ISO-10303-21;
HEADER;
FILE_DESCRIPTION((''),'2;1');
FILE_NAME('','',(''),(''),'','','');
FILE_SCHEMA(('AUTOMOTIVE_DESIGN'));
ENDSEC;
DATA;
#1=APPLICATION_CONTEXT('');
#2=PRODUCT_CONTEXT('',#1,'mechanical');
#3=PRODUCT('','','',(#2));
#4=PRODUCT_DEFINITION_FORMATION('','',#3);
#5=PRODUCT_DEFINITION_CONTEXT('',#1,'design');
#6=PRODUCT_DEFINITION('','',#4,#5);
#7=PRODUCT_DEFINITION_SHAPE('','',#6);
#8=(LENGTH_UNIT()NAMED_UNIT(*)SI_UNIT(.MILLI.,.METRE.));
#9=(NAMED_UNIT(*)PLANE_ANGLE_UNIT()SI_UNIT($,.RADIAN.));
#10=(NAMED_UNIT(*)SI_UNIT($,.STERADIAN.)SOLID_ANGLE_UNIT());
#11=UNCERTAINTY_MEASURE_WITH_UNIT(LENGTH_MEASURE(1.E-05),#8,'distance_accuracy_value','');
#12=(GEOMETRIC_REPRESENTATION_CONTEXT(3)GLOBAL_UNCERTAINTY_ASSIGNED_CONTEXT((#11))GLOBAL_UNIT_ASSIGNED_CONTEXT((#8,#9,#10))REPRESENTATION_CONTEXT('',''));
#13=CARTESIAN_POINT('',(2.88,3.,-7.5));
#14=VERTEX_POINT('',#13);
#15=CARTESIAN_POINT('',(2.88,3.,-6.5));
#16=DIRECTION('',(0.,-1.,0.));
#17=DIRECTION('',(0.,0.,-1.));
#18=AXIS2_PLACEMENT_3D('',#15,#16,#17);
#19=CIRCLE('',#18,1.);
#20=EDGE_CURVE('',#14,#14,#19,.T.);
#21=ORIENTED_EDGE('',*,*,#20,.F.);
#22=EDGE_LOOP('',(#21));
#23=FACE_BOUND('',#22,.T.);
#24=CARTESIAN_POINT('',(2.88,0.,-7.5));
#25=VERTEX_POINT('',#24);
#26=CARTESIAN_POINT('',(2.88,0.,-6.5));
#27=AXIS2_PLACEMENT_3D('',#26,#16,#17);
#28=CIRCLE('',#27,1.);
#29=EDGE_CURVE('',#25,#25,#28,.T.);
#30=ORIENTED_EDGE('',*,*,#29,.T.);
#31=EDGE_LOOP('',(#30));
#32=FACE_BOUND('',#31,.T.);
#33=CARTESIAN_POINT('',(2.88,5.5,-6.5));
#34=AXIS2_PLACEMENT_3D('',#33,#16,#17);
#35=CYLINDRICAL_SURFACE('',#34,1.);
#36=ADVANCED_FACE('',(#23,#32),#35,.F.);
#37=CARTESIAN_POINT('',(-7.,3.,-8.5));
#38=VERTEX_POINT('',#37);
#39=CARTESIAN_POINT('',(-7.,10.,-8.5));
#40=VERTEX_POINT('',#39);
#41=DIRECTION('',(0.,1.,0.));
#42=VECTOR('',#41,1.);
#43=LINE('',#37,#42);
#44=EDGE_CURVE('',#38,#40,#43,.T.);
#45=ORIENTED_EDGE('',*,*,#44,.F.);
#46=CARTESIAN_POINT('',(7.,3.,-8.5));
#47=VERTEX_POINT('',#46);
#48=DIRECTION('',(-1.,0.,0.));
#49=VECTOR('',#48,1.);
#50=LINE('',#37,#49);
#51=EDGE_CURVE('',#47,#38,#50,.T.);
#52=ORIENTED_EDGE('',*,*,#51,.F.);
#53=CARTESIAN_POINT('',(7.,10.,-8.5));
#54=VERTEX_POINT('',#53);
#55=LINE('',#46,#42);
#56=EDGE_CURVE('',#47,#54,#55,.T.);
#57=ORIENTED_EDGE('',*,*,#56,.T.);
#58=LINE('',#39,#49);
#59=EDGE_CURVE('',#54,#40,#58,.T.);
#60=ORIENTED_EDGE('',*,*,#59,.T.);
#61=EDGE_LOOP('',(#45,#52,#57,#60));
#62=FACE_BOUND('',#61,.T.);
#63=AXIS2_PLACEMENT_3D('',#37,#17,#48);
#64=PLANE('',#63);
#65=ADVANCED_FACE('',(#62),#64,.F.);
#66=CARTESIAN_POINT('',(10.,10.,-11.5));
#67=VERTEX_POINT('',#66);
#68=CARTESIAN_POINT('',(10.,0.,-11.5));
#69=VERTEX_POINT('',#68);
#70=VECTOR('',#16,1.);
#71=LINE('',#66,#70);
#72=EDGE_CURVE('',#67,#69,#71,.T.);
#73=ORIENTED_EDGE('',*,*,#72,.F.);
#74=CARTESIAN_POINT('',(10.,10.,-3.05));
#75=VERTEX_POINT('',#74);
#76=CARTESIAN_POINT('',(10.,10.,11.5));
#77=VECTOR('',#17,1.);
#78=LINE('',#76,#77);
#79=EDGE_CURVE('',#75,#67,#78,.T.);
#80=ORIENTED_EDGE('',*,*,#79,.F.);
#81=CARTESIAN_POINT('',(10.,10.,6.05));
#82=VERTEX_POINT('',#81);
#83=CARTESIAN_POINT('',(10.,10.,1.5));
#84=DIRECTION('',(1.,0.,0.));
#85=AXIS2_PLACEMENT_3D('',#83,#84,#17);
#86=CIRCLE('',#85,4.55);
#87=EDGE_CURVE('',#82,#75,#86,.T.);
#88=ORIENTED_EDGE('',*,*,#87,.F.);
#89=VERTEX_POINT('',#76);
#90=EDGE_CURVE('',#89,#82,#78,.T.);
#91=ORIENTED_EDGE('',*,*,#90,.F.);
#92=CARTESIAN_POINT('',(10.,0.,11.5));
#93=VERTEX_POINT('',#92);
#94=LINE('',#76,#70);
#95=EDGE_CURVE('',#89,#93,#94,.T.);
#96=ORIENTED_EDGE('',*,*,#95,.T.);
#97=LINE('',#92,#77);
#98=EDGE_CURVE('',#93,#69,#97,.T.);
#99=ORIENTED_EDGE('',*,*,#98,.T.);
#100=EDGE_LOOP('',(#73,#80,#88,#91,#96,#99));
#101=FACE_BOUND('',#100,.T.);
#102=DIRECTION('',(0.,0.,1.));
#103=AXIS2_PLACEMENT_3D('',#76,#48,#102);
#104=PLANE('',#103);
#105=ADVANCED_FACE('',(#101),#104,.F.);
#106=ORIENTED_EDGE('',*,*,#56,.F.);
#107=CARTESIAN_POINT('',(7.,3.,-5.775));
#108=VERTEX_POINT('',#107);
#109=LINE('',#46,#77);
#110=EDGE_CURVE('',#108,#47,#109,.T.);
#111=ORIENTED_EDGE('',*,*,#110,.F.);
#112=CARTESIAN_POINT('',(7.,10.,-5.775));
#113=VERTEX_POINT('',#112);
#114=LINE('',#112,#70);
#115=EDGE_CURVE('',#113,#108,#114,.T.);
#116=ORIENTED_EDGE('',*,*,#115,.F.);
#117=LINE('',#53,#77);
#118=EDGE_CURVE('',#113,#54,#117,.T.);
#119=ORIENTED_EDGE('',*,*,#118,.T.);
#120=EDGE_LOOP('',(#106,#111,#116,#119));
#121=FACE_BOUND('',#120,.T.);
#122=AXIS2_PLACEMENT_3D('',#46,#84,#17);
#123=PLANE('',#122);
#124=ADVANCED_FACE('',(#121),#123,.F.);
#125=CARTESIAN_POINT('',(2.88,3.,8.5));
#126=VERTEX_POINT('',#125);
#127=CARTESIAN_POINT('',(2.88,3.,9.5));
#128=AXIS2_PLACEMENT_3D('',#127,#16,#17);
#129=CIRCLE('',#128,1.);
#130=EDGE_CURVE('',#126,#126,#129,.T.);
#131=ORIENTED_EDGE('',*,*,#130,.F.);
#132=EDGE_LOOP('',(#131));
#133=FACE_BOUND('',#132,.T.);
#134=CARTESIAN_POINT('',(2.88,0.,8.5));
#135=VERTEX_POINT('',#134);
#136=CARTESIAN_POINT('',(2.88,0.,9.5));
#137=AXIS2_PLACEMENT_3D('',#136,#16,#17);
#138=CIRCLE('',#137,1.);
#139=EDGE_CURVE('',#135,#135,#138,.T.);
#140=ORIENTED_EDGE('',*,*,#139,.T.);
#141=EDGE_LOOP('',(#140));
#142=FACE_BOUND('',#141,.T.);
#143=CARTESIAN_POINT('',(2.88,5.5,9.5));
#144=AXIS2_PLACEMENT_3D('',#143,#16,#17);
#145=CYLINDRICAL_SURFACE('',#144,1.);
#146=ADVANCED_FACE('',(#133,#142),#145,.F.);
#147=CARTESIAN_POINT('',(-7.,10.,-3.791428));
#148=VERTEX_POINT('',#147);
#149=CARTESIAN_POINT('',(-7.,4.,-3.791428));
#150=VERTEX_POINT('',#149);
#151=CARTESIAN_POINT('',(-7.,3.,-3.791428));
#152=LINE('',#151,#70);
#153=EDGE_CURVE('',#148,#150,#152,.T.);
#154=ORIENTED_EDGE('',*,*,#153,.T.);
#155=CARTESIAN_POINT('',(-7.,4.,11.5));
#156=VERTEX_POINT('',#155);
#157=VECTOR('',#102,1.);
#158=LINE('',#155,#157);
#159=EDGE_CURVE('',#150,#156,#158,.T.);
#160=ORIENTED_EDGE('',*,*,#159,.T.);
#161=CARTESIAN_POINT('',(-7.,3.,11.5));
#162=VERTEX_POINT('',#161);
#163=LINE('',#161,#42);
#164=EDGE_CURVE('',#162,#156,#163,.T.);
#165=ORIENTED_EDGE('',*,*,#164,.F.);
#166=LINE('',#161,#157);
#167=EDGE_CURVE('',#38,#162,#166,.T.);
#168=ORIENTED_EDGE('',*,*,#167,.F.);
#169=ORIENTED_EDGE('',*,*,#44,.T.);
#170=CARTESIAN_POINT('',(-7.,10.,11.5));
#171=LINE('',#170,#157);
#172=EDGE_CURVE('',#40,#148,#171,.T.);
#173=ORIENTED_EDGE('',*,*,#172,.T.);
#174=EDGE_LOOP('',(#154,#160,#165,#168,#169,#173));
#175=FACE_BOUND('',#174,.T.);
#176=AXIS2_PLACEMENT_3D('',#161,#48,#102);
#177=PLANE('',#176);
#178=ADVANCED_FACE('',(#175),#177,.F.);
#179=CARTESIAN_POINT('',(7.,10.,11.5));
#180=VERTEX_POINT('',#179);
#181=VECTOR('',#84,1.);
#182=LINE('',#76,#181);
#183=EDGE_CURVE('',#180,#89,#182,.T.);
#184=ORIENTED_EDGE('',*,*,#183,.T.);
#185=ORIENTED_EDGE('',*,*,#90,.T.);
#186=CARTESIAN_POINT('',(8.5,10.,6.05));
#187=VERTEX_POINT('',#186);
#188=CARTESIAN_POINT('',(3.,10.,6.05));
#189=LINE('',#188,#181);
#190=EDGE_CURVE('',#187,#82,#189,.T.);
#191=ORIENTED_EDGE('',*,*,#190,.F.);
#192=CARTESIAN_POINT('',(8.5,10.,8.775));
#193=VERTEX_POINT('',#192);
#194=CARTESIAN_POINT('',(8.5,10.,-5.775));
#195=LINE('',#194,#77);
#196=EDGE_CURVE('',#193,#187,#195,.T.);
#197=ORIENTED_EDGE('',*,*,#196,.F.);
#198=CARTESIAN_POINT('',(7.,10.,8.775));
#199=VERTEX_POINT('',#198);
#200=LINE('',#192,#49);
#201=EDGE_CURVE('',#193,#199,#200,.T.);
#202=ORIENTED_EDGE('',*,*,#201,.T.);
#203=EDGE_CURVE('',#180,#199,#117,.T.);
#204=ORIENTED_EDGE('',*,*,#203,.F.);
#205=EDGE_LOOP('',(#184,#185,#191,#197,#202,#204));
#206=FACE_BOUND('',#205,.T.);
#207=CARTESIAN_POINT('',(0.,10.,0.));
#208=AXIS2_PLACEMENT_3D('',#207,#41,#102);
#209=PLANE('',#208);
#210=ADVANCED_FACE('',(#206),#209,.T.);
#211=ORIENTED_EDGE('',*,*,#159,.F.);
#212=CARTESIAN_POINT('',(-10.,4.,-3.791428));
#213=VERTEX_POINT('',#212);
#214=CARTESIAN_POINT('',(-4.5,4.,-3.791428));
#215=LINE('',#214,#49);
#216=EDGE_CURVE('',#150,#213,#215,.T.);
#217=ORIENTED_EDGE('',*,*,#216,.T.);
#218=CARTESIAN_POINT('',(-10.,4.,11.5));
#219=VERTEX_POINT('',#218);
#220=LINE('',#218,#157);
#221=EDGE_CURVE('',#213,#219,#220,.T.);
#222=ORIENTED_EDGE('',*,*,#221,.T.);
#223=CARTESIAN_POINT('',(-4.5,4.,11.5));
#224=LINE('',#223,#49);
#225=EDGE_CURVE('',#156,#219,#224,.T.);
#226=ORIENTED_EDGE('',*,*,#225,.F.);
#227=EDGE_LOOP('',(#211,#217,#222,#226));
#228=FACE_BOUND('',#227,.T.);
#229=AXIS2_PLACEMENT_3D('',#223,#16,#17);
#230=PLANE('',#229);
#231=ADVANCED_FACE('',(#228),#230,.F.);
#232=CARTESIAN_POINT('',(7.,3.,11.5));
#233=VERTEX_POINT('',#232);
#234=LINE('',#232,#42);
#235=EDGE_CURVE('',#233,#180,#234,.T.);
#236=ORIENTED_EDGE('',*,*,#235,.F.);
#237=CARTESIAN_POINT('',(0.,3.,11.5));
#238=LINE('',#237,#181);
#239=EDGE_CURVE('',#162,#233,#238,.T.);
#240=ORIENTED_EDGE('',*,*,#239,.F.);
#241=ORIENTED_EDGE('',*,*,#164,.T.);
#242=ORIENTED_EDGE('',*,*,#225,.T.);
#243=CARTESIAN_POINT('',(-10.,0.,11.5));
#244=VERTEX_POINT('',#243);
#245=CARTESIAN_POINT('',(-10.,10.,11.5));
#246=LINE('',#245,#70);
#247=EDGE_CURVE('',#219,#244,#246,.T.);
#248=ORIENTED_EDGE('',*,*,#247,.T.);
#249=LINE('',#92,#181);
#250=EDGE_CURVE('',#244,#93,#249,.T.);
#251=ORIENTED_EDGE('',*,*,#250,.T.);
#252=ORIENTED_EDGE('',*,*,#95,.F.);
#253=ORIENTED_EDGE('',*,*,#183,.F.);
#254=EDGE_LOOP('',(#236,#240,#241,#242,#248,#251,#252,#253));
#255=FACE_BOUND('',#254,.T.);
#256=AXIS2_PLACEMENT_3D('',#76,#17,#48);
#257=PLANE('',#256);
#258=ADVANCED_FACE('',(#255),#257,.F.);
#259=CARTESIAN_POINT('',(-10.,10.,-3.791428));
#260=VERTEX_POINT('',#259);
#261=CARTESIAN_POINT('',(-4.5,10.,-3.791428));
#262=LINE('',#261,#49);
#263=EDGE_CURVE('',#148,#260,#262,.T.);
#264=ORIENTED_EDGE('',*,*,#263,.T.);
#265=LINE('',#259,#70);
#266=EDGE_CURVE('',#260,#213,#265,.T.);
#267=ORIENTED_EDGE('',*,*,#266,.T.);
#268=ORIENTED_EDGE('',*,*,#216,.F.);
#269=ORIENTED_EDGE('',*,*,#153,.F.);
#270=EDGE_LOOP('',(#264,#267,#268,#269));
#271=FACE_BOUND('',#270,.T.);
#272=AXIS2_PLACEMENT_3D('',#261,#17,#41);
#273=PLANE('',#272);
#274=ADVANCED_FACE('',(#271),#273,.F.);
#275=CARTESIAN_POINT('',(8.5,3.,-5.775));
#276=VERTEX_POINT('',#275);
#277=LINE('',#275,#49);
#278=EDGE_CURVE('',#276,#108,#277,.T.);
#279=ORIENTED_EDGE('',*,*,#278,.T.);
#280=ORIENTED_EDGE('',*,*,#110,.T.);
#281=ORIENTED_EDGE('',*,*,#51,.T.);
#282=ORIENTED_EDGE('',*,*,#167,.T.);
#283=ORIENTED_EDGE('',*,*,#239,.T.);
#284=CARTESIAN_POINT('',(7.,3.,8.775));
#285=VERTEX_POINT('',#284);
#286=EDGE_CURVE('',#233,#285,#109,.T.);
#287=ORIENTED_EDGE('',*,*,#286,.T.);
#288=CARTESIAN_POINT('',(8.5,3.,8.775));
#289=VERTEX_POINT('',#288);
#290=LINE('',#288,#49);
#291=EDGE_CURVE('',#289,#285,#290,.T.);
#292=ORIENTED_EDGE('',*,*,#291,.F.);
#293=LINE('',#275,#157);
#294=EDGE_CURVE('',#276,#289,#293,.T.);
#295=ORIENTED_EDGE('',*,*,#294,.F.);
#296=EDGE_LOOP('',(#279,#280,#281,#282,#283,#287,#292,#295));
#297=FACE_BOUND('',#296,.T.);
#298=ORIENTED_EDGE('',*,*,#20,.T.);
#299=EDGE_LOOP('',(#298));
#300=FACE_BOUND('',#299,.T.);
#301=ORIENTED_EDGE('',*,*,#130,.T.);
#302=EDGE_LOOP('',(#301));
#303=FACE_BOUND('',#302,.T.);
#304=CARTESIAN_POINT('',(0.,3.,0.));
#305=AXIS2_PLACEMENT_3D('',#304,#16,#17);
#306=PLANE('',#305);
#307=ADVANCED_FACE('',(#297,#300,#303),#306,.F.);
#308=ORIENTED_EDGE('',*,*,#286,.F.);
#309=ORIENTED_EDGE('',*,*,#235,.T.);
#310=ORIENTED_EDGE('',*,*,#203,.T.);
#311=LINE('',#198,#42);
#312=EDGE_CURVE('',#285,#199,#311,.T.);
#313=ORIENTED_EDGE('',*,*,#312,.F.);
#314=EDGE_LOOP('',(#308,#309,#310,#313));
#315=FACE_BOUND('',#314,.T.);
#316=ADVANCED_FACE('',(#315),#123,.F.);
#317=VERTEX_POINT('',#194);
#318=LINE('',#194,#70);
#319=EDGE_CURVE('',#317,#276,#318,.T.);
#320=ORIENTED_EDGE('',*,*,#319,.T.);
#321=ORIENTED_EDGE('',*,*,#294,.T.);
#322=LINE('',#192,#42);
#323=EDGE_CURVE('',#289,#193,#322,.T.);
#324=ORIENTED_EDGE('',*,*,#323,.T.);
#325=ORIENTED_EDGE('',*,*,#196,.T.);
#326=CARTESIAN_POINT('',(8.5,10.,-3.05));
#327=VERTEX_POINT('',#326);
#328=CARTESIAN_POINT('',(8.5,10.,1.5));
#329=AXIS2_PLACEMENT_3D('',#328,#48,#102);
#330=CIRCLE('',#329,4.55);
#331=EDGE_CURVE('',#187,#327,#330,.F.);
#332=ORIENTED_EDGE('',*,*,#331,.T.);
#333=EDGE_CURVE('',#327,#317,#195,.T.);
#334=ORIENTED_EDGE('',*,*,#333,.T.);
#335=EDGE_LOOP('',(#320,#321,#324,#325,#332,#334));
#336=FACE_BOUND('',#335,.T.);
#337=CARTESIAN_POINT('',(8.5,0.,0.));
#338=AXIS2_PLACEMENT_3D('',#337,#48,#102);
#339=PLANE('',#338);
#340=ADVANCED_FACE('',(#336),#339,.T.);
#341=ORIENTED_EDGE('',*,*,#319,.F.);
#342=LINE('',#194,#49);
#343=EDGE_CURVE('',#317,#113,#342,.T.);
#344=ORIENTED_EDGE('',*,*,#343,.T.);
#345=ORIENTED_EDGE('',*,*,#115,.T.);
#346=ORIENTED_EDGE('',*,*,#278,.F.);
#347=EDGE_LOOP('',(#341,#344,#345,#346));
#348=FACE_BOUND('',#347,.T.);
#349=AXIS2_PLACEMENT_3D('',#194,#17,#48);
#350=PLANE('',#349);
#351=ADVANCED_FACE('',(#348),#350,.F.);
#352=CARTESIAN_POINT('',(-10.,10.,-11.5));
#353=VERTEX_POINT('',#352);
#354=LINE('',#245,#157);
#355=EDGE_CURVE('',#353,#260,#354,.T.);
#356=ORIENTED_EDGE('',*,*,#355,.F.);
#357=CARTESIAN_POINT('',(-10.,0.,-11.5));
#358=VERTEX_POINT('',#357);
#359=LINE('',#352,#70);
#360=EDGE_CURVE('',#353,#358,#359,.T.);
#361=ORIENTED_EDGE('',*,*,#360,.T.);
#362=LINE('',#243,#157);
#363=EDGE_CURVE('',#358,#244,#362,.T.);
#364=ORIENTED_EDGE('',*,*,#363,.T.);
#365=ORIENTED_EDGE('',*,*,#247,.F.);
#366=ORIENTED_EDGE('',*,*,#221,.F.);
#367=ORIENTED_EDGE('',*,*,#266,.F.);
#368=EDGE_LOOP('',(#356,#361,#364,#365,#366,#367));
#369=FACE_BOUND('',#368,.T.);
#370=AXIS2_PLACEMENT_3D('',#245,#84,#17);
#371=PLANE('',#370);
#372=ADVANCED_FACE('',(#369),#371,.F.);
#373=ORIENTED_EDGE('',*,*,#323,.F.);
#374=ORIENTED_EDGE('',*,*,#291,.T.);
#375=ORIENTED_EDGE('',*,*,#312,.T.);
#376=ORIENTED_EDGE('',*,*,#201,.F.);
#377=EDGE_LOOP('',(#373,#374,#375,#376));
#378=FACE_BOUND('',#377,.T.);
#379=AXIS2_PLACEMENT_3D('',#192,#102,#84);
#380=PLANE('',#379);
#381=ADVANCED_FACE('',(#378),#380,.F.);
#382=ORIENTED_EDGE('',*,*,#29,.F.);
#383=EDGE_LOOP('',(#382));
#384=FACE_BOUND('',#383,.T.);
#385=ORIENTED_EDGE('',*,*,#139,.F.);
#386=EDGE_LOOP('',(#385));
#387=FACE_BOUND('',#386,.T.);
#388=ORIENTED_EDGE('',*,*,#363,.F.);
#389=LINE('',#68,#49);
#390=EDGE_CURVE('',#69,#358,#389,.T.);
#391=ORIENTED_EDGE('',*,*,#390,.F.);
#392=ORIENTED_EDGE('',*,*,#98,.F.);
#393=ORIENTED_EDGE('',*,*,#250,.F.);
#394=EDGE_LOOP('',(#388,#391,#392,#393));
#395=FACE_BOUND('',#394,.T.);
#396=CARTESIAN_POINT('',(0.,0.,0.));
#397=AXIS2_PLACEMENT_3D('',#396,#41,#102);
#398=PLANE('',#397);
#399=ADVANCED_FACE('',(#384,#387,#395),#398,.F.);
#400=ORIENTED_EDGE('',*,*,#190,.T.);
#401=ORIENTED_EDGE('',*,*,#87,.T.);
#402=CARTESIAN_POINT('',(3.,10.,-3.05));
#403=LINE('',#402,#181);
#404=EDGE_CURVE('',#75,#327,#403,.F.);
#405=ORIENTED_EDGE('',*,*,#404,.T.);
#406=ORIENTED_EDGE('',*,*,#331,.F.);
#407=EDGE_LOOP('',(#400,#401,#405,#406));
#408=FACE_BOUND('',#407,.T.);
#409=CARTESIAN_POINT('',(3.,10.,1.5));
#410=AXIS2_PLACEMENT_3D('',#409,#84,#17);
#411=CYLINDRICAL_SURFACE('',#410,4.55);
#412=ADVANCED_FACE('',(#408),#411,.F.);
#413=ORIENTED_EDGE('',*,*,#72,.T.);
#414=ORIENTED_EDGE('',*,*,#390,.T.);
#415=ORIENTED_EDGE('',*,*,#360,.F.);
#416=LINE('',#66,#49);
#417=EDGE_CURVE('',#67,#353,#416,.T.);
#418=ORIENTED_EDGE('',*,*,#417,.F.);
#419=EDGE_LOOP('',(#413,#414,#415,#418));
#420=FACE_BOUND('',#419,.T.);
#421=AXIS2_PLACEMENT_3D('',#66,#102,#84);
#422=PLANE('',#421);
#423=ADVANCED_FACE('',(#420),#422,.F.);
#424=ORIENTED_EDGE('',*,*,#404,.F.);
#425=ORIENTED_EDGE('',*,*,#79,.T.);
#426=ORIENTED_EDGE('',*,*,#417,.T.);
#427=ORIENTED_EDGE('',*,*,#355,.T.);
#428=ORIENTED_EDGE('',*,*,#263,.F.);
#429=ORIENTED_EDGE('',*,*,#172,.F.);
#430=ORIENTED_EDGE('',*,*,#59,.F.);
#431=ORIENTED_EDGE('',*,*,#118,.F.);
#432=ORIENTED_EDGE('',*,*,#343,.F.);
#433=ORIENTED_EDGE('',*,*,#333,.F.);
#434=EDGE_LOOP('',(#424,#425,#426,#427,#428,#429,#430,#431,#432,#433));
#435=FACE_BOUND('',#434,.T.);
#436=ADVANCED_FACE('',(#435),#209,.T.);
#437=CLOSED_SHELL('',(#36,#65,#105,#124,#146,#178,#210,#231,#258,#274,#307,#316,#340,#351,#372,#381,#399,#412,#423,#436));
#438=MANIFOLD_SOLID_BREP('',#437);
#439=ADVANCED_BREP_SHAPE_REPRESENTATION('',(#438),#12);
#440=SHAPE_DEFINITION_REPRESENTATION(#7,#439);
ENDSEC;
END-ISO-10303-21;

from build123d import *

# Parameters (mm, degrees)
SKETCH1_W           = 20
SKETCH1_H           = 23
BOSS_EXTRUDE1_DEPTH = 10
CUT_EXTRUDE1_DEPTH  = 7
SKETCH4_R           = 4.55
CUT_EXTRUDE6_DEPTH  = 7
SKETCH9_W           = 14.55
SKETCH9_H           = 7
CUT_EXTRUDE8_DEPTH  = 1.5
SKETCH10_W          = 15.291428019
SKETCH10_H          = 6
CUT_EXTRUDE9_DEPTH  = 5.5
SKETCH11_R          = 1
CUT_EXTRUDE10_DEPTH = 5.5


with BuildPart() as part:
    # Sketch1 → Boss-Extrude1 (new body)
    with BuildSketch(Plane(origin=(0, 0, 0), x_dir=(1, 0, 0), z_dir=(0, 1, 0))):
        Rectangle(SKETCH1_W, SKETCH1_H)
    extrude(amount=BOSS_EXTRUDE1_DEPTH)

    # Sketch3 → Cut-Extrude1 (cut)
    with BuildSketch(Plane(origin=(0, 10, 0), x_dir=(1, 0, 0), z_dir=(0, 1, 0))):
        Polygon((0, -11.5), (-7, -11.5), (-7, 8.5), (7, 8.5), (7, -11.5), align=None)
    extrude(amount=-CUT_EXTRUDE1_DEPTH, mode=Mode.SUBTRACT)

    # Sketch4 → Cut-Extrude6 (cut)
    with BuildSketch(Plane(origin=(10, 0, 0), x_dir=(0, 0, -1), z_dir=(1, 0, 0))):
        with Locations((-1.5, 10)):
            Circle(SKETCH4_R)
    extrude(amount=-CUT_EXTRUDE6_DEPTH, mode=Mode.SUBTRACT)

    # Sketch9 → Cut-Extrude8 (cut)
    with BuildSketch(Plane.ZY.offset(-7)):
        with Locations((1.5, 6.5)):
            Rectangle(SKETCH9_W, SKETCH9_H)
    extrude(amount=-CUT_EXTRUDE8_DEPTH, mode=Mode.SUBTRACT)

    # Sketch10 → Cut-Extrude9 (cut)
    with BuildSketch(Plane.ZY.offset(10)):
        with Locations((3.854285991, 7)):
            Rectangle(SKETCH10_W, SKETCH10_H)
    extrude(amount=-CUT_EXTRUDE9_DEPTH, mode=Mode.SUBTRACT)

    # Sketch11 → Cut-Extrude10 (cut)
    with BuildSketch(Plane.XZ):
        with Locations(Location((2.88, 9.5, 0), (0, 0, 270))):
            Circle(SKETCH11_R)
        with Locations(Location((2.88, -6.5, 0), (0, 0, 270))):
            Circle(SKETCH11_R)
    extrude(amount=-CUT_EXTRUDE10_DEPTH, mode=Mode.SUBTRACT)


solid = part.part
